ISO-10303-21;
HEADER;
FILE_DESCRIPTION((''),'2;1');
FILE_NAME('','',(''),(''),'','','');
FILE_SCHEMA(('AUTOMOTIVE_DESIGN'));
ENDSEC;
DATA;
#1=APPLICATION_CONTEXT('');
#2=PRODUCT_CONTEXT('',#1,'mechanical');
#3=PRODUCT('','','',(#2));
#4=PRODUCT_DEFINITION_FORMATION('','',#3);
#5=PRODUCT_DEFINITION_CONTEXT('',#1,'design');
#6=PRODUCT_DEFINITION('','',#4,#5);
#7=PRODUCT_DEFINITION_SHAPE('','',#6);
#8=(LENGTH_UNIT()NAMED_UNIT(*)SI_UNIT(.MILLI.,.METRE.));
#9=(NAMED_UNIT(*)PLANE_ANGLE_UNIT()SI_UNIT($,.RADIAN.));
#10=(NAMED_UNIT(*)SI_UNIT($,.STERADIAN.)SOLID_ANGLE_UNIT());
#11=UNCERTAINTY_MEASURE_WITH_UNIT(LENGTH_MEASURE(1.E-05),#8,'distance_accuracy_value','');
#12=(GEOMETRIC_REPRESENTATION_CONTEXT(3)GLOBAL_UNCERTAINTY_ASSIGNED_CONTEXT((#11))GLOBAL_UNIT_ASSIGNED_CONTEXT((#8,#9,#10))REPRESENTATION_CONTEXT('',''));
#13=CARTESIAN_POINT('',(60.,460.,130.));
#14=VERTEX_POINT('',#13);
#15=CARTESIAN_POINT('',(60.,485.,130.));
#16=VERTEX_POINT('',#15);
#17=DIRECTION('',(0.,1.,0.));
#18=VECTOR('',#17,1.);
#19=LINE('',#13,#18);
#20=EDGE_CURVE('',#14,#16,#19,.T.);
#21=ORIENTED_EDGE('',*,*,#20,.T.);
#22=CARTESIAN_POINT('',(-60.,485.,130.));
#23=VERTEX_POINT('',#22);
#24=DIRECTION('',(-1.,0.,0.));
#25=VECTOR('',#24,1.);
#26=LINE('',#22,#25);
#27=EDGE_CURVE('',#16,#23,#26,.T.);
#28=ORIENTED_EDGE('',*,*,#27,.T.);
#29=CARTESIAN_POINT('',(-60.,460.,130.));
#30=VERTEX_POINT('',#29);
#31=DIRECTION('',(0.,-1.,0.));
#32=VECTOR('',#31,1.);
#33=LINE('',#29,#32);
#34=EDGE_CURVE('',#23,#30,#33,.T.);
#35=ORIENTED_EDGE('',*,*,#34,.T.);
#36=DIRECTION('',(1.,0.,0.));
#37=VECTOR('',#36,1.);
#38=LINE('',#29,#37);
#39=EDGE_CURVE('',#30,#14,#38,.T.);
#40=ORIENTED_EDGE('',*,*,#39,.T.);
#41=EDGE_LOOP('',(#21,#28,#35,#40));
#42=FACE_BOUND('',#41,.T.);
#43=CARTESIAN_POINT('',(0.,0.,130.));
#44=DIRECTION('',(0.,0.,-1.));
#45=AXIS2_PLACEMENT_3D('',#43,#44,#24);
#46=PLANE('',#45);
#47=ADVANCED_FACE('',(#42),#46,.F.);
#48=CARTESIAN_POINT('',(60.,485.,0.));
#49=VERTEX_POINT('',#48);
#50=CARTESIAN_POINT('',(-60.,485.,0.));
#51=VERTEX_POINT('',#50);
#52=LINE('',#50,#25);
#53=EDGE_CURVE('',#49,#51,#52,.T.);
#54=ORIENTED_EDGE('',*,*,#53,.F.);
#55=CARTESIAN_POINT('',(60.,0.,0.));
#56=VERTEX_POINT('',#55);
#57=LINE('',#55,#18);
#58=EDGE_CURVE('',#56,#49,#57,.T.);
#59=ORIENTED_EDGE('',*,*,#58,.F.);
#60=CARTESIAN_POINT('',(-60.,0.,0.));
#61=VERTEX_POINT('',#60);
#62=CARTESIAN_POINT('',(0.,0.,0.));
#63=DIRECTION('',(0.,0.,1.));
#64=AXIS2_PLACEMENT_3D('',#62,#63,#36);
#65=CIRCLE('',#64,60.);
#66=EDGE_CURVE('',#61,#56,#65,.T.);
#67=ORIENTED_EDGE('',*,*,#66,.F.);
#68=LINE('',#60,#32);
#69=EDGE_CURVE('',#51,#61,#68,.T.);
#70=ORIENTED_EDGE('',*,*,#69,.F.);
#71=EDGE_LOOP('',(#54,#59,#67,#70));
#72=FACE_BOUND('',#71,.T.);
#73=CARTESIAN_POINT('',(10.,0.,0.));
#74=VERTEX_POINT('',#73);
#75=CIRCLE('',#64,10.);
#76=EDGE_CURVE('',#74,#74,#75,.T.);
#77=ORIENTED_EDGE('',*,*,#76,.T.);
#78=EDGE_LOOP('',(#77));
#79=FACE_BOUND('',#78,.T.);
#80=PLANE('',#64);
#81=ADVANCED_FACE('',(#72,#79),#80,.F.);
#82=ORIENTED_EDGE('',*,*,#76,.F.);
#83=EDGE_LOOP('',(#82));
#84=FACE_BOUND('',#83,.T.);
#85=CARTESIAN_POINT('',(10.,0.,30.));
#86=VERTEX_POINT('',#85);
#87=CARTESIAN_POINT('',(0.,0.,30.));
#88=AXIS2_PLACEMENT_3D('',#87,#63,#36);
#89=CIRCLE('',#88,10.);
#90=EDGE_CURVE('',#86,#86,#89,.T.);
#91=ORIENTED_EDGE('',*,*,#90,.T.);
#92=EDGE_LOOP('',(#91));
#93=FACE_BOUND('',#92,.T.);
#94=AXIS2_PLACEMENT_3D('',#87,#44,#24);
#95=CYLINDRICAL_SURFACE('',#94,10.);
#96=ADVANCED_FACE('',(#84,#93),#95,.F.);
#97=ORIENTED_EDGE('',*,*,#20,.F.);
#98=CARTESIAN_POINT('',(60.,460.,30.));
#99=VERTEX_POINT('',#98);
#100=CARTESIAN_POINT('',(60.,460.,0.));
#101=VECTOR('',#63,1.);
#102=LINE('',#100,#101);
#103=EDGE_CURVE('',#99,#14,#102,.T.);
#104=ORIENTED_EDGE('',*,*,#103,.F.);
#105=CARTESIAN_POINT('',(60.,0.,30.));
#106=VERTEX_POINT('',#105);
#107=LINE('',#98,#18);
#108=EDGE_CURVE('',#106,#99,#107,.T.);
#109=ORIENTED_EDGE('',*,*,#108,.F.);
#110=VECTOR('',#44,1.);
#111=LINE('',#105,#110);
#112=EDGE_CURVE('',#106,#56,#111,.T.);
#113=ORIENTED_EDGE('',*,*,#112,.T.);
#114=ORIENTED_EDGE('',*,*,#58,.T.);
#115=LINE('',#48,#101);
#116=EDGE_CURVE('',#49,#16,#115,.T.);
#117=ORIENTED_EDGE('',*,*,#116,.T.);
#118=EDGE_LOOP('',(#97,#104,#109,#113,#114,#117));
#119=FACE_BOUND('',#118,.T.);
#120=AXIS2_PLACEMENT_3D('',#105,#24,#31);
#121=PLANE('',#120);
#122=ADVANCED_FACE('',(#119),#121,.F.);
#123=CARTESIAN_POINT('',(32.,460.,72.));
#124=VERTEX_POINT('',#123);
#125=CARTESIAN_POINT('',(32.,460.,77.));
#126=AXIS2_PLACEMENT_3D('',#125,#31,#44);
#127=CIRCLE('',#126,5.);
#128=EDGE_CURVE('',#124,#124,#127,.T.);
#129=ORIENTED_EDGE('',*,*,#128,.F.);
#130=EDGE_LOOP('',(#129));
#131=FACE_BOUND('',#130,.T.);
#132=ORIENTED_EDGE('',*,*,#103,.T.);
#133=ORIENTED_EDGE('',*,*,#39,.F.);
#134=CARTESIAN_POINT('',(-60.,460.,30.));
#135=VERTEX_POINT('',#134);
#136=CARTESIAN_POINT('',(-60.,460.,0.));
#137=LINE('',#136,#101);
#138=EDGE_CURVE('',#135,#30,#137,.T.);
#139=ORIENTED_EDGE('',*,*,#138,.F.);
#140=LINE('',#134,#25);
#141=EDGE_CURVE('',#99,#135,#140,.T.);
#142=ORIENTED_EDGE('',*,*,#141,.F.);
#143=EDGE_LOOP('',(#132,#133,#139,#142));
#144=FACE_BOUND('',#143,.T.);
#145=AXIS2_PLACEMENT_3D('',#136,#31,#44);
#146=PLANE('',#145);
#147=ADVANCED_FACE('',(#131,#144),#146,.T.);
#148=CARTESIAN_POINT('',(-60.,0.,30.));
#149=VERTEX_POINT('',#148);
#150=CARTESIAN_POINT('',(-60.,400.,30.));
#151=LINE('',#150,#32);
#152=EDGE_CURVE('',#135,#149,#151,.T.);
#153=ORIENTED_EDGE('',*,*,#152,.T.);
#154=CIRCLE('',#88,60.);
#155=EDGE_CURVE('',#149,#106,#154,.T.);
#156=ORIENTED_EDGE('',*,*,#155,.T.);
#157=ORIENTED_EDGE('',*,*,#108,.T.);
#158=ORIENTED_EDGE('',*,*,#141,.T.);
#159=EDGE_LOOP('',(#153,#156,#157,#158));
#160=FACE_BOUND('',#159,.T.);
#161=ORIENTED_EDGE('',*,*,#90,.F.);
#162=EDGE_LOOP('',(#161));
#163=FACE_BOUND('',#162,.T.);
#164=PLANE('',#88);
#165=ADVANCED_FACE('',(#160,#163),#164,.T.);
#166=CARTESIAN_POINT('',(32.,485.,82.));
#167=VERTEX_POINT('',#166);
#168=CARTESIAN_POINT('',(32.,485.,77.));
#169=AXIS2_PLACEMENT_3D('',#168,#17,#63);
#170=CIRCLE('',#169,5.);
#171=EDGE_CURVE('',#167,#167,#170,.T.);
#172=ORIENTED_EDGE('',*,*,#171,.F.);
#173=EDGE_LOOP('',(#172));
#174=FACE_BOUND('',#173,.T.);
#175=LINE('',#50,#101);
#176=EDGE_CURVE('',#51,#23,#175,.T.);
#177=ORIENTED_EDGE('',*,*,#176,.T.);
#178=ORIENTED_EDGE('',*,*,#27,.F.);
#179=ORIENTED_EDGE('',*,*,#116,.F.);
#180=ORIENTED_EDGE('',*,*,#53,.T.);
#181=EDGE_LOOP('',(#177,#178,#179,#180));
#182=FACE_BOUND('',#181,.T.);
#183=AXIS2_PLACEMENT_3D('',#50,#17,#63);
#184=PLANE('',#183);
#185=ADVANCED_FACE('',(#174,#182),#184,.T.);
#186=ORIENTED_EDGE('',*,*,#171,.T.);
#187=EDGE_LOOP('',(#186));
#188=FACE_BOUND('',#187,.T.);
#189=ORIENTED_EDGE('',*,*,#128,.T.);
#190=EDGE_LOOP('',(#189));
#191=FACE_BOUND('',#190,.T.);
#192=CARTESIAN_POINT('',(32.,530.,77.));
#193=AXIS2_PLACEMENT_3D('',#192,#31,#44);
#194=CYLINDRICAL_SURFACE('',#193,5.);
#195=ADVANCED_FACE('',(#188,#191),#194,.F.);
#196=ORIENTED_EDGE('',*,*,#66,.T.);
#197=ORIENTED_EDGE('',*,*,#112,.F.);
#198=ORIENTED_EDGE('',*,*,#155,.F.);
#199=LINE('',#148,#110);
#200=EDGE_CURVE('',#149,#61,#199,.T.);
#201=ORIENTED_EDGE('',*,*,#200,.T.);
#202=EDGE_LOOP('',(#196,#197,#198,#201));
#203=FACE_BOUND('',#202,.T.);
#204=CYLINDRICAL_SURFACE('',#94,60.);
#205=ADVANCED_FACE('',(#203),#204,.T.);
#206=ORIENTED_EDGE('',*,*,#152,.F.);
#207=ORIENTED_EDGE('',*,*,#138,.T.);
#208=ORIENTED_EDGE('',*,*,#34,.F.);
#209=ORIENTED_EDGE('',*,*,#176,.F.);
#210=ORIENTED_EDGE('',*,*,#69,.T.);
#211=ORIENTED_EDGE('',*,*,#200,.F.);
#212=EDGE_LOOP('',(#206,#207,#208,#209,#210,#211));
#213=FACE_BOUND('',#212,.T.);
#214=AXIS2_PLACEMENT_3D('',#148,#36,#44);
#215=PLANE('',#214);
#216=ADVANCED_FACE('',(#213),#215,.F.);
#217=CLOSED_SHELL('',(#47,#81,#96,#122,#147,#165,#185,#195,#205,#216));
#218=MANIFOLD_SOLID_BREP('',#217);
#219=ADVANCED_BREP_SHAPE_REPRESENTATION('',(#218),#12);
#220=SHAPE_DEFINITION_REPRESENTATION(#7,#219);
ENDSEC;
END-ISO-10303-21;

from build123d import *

# Parameters (mm, degrees)
SKETCH1_R                = 10
BOSS_EXTRUDE1_DEPTH      = 30
BOSS_EXTRUDE2_DEPTH      = 100
BOSS_EXTRUDE2_DEPTH_BACK = 30
SKETCH2_W                = 120
SKETCH2_H                = 25
SKETCH3_R                = 5
CUT_EXTRUDE1_DEPTH       = 70


with BuildPart() as part:
    # Sketch1 → Boss-Extrude1 (new body)
    with BuildSketch(Plane(origin=(0, 0, 0), x_dir=(0, 1, 0), z_dir=(0, 0, 1))):
        with BuildLine():
            Line((0, 60), (400, 60))
            Line((400, 60), (460, 60))
            Line((460, 60), (460, -60))
            Line((460, -60), (400, -60))
            Line((400, -60), (0, -60))
            ThreePointArc((0, -60), (-60, 0), (0, 60))
        make_face()
        with Locations(Location((0, 0, 0), (0, 0, 270))):
            Circle(SKETCH1_R, mode=Mode.SUBTRACT)
    extrude(amount=BOSS_EXTRUDE1_DEPTH)

    # Sketch2 → Boss-Extrude2 (add, two sides: drawn at the far end of the back side and taken through both)
    with BuildSketch(Plane.XY.offset(30).offset(-BOSS_EXTRUDE2_DEPTH_BACK)):
        with Locations((0, 472.5)):
            Rectangle(SKETCH2_W, SKETCH2_H)
    extrude(amount=BOSS_EXTRUDE2_DEPTH + BOSS_EXTRUDE2_DEPTH_BACK)

    # Sketch3 → Cut-Extrude1 (cut)
    with BuildSketch(Plane.XZ.offset(-460)):
        with Locations(Location((32, 77, 0), (0, 0, 270))):
            Circle(SKETCH3_R)
    extrude(amount=-CUT_EXTRUDE1_DEPTH, mode=Mode.SUBTRACT)


solid = part.part
